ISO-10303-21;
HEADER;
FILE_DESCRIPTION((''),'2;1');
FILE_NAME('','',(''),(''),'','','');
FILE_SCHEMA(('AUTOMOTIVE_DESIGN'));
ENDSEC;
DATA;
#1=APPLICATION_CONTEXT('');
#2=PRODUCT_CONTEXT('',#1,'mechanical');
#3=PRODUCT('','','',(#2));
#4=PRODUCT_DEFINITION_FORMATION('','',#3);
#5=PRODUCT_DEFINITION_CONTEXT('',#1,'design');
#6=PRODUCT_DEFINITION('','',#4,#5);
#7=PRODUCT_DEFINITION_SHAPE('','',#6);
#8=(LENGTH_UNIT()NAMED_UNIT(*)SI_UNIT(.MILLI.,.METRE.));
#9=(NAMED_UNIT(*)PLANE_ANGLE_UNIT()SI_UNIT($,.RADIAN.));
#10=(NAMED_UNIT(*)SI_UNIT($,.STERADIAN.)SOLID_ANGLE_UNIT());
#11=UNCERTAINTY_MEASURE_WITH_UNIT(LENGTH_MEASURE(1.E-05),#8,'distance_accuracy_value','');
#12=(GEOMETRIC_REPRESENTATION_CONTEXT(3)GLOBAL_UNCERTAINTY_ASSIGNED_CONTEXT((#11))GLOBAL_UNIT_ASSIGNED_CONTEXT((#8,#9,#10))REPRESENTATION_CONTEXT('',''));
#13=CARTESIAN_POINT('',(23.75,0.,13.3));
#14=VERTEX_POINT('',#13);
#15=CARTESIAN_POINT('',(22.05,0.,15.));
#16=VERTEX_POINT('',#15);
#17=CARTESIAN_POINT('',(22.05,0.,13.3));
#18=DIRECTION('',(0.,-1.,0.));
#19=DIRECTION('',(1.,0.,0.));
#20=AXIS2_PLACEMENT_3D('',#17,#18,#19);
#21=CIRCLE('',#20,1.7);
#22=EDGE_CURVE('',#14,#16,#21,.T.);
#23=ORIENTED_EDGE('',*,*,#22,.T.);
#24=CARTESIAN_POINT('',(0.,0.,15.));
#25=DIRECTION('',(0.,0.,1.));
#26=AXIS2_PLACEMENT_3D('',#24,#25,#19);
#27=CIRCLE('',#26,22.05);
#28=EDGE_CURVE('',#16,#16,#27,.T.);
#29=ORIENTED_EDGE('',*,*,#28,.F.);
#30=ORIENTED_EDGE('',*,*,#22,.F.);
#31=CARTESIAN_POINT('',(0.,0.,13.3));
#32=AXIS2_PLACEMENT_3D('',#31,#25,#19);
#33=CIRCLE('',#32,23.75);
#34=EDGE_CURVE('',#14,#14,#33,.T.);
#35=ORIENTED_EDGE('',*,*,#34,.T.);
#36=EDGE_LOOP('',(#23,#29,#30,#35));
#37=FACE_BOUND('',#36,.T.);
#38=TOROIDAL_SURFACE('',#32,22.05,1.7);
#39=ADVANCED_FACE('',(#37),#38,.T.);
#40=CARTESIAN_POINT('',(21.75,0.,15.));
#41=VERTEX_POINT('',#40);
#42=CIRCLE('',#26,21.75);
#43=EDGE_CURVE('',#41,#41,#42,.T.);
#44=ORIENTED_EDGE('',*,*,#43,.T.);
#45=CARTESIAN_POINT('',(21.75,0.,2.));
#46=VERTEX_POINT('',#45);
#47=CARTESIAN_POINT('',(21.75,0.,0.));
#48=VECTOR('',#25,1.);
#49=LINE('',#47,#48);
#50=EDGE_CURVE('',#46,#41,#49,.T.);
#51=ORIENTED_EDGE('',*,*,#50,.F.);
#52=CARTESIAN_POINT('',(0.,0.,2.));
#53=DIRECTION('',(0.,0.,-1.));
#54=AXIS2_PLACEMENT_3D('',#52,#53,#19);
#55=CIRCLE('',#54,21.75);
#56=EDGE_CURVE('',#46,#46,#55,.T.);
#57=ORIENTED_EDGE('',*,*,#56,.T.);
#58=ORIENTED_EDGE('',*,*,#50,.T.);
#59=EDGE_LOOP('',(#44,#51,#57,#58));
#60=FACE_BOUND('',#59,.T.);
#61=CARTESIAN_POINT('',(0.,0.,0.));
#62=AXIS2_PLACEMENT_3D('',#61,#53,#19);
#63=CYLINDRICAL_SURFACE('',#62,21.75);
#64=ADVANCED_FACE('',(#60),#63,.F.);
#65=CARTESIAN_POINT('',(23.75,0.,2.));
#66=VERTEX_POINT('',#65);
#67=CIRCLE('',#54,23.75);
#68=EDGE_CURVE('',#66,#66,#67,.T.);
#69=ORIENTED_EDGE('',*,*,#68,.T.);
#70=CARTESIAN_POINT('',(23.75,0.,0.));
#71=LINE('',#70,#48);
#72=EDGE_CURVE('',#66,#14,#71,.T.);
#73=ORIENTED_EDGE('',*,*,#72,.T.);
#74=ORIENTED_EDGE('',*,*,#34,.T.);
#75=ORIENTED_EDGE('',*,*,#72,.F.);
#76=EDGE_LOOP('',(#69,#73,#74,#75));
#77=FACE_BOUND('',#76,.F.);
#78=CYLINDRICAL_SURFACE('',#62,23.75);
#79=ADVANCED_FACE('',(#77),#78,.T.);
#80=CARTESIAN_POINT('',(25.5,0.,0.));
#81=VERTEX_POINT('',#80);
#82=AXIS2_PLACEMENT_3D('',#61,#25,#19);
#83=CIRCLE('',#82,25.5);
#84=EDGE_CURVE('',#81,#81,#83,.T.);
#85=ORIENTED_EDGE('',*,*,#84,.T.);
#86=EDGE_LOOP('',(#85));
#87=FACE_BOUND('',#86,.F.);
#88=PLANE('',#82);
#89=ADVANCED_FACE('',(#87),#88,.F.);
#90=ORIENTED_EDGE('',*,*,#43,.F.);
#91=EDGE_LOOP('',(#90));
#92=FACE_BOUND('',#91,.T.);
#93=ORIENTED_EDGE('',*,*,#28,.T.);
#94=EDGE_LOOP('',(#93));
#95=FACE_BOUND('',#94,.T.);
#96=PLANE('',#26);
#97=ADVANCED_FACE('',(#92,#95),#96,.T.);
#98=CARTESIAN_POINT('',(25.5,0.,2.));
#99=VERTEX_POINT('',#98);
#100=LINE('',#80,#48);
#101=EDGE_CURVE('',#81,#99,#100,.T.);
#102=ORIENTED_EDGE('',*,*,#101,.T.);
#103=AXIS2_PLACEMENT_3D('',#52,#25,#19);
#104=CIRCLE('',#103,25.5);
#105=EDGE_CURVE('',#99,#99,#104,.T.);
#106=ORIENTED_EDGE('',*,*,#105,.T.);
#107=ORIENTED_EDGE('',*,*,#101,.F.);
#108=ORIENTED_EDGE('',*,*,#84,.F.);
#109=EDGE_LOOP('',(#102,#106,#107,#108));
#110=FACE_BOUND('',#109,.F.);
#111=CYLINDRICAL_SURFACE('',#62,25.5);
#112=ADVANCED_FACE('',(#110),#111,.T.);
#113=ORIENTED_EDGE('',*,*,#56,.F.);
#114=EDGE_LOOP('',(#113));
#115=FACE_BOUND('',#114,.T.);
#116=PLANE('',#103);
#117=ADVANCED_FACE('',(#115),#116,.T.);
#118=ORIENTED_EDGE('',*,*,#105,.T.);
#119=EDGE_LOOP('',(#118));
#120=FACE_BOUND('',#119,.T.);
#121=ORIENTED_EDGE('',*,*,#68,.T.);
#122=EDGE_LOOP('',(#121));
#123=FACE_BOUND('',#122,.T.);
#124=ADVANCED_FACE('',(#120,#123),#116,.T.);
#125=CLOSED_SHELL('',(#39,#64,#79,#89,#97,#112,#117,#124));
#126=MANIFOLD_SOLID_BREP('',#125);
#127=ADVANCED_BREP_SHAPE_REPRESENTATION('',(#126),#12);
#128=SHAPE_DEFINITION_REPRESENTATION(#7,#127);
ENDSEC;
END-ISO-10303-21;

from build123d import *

# Parameters (mm, degrees)
F0_R     = 25.5
F0_R_2   = 23.75
F0_R_3   = 21.75
F1_DEPTH = 2
F2_DEPTH = 15
F3_R     = 1.7


with BuildPart() as f1:
    # F0 (on Top) → F1 (new body)
    with BuildSketch(Plane.XY):
        Circle(F0_R)
        Circle(F0_R_2, mode=Mode.SUBTRACT)
        Circle(F0_R_2)
        Circle(F0_R_3, mode=Mode.SUBTRACT)
        Circle(F0_R_3)
    extrude(amount=F1_DEPTH)

    # F0 (on Top) → F2 (join)
    with BuildSketch(Plane.XY):
        Circle(F0_R_2)
        Circle(F0_R_3, mode=Mode.SUBTRACT)
    extrude(amount=F2_DEPTH)

    # F3
    f3_edges = [f1.edges().sort_by_distance(p)[0] for p in [
        (-23.75, 0, 15),
    ]]
    fillet(f3_edges, radius=F3_R)


solid = f1.part
